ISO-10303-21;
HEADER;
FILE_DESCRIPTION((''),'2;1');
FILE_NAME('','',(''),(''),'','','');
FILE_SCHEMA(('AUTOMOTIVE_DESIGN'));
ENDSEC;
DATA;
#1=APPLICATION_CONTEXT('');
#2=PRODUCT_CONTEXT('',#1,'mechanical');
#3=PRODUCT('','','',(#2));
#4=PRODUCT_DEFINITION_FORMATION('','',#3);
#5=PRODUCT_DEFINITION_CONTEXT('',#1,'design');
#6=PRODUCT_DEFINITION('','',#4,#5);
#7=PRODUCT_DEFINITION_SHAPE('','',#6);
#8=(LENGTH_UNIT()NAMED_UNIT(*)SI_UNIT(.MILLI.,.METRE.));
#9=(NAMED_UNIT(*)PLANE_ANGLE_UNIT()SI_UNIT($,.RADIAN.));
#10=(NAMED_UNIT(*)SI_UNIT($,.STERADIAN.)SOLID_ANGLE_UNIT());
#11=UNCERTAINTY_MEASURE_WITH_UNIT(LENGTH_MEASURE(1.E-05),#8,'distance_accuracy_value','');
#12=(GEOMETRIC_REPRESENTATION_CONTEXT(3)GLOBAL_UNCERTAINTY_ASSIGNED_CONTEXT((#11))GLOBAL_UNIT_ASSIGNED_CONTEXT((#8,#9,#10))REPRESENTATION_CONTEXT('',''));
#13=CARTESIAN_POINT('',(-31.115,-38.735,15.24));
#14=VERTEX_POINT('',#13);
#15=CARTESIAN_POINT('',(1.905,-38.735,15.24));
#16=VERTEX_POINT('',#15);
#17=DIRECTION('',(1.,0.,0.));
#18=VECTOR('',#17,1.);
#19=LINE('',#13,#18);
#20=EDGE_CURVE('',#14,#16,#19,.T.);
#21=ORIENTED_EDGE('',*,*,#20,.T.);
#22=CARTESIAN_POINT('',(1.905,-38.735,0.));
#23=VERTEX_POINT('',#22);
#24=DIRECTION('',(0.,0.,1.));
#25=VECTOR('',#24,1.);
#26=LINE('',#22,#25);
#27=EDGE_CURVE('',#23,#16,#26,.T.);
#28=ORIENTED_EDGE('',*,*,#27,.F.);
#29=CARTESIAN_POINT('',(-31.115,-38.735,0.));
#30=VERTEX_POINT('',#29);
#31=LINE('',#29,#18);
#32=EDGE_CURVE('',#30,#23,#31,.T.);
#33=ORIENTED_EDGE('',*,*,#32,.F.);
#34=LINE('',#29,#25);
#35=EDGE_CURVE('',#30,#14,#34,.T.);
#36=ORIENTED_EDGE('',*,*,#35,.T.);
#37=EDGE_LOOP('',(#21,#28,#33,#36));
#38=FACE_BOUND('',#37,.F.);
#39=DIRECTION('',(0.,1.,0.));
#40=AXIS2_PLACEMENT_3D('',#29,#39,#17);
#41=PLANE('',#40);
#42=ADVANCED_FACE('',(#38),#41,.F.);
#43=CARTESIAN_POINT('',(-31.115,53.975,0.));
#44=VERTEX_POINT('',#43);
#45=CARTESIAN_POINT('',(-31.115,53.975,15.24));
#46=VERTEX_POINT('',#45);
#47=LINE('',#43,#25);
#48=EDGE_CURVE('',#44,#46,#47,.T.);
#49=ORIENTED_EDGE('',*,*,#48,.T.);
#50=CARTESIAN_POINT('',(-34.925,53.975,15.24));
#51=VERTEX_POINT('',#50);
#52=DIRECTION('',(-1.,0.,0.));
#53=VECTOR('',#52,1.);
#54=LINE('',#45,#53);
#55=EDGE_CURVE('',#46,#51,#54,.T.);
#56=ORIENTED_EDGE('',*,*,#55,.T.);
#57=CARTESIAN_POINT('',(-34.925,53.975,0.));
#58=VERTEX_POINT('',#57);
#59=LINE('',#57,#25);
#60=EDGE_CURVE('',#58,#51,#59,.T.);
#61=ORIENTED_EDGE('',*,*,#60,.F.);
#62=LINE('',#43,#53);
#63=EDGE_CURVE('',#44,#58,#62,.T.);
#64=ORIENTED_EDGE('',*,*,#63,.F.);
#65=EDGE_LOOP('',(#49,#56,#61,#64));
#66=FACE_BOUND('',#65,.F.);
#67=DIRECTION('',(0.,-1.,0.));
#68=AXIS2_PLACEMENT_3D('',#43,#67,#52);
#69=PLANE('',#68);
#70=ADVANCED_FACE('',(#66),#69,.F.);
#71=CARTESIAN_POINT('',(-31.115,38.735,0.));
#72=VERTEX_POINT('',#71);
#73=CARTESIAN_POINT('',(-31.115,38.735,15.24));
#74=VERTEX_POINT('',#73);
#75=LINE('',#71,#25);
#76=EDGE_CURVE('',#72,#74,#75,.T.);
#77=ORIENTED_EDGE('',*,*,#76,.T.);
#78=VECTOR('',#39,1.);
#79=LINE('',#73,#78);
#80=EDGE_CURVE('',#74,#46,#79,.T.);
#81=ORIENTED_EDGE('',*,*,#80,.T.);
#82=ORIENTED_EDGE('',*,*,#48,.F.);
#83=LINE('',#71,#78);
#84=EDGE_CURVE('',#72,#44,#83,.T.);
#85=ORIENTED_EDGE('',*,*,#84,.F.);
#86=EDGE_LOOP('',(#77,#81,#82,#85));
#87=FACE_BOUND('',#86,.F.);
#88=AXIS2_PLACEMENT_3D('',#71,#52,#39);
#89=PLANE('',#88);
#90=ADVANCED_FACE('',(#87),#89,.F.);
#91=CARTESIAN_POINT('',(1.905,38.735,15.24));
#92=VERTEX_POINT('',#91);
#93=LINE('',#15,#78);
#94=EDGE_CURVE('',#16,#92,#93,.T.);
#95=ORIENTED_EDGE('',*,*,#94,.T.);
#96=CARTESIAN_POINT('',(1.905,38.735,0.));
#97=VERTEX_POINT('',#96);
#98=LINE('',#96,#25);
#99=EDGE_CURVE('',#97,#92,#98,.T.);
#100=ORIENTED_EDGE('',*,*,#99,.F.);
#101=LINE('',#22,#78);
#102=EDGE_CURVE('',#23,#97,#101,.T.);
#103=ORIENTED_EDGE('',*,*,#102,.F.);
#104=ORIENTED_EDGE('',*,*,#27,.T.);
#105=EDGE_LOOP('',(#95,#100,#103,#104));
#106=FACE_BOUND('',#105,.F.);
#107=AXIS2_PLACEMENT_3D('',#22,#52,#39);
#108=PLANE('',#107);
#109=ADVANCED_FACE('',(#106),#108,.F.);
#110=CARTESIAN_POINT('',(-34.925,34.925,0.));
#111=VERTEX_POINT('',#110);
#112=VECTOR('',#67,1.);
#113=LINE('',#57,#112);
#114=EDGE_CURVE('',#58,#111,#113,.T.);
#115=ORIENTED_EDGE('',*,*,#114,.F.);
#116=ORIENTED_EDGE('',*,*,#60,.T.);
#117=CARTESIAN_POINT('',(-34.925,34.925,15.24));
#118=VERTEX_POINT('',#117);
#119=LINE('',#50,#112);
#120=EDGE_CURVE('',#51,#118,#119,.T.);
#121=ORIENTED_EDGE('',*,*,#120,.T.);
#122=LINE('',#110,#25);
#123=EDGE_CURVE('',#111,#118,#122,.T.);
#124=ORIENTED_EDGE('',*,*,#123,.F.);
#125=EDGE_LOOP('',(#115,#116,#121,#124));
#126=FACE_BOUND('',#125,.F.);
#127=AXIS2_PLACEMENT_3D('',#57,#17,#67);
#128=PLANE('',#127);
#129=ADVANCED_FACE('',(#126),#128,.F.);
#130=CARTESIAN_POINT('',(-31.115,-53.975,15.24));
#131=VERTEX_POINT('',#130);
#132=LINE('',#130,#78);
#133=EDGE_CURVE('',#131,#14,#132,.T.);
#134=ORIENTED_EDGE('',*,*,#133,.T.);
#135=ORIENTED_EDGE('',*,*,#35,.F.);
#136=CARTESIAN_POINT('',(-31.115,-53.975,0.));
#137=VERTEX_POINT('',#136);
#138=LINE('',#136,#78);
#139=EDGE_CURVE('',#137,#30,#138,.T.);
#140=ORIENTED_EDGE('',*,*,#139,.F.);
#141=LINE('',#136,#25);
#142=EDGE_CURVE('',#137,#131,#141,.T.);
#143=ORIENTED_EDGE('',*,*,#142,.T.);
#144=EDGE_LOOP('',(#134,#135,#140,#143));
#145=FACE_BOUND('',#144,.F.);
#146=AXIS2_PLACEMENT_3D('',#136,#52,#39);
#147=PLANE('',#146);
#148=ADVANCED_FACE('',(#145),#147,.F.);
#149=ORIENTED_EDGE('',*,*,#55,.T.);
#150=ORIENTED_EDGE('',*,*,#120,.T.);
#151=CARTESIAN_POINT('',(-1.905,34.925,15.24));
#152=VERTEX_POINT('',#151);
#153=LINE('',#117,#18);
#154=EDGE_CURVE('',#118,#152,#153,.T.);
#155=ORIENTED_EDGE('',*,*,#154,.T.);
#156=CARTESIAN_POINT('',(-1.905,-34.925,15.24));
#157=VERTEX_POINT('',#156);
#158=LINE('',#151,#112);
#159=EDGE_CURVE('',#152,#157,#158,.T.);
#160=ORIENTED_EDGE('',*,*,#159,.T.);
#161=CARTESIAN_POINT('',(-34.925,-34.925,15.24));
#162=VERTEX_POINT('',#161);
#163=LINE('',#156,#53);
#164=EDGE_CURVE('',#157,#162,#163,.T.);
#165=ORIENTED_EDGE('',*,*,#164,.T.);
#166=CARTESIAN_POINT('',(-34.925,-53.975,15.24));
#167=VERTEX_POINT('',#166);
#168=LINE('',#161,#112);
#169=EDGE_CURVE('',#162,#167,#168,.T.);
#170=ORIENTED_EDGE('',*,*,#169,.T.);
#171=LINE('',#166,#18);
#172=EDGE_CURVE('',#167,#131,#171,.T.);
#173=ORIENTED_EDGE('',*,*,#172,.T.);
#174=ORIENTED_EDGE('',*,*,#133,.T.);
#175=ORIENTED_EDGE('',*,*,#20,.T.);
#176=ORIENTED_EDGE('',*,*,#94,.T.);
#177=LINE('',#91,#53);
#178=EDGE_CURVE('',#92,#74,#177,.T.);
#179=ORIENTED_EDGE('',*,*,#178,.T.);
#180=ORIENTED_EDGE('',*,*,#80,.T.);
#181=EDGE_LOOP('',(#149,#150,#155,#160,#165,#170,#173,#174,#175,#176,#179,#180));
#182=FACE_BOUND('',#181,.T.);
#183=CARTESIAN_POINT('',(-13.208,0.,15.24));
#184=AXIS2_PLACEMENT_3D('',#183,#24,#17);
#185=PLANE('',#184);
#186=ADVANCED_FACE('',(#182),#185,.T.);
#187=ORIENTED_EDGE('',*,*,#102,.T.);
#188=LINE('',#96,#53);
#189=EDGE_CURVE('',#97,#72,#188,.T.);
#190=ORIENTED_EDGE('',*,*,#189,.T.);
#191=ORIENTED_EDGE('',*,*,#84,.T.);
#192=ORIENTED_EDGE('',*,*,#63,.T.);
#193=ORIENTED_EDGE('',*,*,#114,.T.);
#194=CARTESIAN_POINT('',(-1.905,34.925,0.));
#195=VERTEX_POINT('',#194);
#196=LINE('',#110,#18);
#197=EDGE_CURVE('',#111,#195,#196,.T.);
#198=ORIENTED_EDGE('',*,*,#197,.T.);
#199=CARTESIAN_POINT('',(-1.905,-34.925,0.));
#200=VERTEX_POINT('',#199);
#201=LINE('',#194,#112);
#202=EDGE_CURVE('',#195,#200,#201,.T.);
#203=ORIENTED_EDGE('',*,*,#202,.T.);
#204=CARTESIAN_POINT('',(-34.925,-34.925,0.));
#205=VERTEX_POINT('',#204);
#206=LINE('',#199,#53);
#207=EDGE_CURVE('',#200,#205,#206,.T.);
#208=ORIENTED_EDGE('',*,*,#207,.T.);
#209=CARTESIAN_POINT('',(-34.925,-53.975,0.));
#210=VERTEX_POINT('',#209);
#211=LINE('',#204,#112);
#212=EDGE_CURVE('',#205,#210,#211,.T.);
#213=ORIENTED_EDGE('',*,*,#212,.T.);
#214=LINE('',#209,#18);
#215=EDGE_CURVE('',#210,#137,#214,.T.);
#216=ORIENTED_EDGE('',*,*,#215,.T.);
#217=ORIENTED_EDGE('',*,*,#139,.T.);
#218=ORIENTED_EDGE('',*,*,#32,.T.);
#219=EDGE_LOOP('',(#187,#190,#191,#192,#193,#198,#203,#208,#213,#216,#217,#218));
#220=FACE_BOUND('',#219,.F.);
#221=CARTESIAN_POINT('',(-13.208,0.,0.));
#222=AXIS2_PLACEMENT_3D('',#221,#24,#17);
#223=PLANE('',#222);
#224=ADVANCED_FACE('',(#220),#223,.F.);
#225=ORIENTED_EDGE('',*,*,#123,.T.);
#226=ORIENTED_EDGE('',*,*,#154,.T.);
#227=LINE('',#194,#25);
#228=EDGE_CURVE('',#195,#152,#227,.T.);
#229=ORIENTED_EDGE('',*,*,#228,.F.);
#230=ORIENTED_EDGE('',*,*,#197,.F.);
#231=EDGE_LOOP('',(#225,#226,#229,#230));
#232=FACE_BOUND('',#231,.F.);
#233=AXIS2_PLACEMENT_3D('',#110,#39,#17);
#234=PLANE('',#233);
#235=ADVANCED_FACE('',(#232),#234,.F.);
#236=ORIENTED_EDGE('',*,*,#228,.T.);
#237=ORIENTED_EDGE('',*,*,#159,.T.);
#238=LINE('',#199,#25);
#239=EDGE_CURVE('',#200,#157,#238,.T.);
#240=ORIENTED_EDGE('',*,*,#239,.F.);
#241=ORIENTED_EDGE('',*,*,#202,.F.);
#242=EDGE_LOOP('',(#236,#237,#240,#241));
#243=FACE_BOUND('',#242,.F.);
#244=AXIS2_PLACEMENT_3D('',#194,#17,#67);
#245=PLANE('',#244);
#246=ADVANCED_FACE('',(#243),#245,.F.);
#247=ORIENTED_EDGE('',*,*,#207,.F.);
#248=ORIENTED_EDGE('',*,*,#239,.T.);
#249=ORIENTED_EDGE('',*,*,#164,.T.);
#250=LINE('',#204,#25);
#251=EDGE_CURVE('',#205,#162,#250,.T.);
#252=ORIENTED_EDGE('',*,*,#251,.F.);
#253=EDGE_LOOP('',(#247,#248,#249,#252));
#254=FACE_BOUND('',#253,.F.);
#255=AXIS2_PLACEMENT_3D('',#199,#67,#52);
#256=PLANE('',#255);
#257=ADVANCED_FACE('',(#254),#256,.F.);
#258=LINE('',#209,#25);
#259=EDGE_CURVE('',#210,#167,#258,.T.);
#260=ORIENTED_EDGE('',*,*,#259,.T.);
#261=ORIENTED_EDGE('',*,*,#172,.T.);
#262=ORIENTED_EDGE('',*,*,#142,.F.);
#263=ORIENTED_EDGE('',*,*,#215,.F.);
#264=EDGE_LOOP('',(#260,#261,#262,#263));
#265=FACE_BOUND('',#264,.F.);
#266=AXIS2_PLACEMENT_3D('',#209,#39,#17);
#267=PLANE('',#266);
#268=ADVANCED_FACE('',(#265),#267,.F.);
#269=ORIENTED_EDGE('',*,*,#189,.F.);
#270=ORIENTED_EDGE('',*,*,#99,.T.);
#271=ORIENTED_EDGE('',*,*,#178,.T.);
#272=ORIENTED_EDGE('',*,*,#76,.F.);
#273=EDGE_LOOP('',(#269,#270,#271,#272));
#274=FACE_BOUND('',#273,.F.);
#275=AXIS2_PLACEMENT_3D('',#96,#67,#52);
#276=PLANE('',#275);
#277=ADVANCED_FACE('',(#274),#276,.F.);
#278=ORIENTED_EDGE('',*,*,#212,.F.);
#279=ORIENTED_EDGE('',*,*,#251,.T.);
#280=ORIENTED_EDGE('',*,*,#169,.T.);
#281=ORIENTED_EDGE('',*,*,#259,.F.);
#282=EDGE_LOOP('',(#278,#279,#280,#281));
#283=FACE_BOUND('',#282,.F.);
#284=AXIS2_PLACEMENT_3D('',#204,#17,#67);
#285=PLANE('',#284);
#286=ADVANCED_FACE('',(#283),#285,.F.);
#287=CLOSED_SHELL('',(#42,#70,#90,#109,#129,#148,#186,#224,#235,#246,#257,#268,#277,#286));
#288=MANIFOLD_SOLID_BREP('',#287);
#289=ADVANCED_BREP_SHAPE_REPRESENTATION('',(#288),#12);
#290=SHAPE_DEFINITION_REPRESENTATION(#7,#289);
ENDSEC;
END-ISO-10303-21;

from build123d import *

# Parameters (mm, degrees)
F1_DEPTH = 15.24


with BuildPart() as f1:
    # F0 (on Top) → F1 (new body)
    with BuildSketch(Plane.XY):
        Polygon((1.905, -38.735), (1.905, -34.925), (1.905, 34.925), (1.905, 38.735), (-31.115, 38.735), (-31.115, 53.975), (-34.925, 53.975), (-34.925, 38.735), (-34.925, 34.925), (-1.905, 34.925), (-1.905, -34.925), (-34.925, -34.925), (-34.925, -38.735), (-34.925, -53.975), (-31.115, -53.975), (-31.115, -38.735), align=None)
    extrude(amount=F1_DEPTH)


solid = f1.part
